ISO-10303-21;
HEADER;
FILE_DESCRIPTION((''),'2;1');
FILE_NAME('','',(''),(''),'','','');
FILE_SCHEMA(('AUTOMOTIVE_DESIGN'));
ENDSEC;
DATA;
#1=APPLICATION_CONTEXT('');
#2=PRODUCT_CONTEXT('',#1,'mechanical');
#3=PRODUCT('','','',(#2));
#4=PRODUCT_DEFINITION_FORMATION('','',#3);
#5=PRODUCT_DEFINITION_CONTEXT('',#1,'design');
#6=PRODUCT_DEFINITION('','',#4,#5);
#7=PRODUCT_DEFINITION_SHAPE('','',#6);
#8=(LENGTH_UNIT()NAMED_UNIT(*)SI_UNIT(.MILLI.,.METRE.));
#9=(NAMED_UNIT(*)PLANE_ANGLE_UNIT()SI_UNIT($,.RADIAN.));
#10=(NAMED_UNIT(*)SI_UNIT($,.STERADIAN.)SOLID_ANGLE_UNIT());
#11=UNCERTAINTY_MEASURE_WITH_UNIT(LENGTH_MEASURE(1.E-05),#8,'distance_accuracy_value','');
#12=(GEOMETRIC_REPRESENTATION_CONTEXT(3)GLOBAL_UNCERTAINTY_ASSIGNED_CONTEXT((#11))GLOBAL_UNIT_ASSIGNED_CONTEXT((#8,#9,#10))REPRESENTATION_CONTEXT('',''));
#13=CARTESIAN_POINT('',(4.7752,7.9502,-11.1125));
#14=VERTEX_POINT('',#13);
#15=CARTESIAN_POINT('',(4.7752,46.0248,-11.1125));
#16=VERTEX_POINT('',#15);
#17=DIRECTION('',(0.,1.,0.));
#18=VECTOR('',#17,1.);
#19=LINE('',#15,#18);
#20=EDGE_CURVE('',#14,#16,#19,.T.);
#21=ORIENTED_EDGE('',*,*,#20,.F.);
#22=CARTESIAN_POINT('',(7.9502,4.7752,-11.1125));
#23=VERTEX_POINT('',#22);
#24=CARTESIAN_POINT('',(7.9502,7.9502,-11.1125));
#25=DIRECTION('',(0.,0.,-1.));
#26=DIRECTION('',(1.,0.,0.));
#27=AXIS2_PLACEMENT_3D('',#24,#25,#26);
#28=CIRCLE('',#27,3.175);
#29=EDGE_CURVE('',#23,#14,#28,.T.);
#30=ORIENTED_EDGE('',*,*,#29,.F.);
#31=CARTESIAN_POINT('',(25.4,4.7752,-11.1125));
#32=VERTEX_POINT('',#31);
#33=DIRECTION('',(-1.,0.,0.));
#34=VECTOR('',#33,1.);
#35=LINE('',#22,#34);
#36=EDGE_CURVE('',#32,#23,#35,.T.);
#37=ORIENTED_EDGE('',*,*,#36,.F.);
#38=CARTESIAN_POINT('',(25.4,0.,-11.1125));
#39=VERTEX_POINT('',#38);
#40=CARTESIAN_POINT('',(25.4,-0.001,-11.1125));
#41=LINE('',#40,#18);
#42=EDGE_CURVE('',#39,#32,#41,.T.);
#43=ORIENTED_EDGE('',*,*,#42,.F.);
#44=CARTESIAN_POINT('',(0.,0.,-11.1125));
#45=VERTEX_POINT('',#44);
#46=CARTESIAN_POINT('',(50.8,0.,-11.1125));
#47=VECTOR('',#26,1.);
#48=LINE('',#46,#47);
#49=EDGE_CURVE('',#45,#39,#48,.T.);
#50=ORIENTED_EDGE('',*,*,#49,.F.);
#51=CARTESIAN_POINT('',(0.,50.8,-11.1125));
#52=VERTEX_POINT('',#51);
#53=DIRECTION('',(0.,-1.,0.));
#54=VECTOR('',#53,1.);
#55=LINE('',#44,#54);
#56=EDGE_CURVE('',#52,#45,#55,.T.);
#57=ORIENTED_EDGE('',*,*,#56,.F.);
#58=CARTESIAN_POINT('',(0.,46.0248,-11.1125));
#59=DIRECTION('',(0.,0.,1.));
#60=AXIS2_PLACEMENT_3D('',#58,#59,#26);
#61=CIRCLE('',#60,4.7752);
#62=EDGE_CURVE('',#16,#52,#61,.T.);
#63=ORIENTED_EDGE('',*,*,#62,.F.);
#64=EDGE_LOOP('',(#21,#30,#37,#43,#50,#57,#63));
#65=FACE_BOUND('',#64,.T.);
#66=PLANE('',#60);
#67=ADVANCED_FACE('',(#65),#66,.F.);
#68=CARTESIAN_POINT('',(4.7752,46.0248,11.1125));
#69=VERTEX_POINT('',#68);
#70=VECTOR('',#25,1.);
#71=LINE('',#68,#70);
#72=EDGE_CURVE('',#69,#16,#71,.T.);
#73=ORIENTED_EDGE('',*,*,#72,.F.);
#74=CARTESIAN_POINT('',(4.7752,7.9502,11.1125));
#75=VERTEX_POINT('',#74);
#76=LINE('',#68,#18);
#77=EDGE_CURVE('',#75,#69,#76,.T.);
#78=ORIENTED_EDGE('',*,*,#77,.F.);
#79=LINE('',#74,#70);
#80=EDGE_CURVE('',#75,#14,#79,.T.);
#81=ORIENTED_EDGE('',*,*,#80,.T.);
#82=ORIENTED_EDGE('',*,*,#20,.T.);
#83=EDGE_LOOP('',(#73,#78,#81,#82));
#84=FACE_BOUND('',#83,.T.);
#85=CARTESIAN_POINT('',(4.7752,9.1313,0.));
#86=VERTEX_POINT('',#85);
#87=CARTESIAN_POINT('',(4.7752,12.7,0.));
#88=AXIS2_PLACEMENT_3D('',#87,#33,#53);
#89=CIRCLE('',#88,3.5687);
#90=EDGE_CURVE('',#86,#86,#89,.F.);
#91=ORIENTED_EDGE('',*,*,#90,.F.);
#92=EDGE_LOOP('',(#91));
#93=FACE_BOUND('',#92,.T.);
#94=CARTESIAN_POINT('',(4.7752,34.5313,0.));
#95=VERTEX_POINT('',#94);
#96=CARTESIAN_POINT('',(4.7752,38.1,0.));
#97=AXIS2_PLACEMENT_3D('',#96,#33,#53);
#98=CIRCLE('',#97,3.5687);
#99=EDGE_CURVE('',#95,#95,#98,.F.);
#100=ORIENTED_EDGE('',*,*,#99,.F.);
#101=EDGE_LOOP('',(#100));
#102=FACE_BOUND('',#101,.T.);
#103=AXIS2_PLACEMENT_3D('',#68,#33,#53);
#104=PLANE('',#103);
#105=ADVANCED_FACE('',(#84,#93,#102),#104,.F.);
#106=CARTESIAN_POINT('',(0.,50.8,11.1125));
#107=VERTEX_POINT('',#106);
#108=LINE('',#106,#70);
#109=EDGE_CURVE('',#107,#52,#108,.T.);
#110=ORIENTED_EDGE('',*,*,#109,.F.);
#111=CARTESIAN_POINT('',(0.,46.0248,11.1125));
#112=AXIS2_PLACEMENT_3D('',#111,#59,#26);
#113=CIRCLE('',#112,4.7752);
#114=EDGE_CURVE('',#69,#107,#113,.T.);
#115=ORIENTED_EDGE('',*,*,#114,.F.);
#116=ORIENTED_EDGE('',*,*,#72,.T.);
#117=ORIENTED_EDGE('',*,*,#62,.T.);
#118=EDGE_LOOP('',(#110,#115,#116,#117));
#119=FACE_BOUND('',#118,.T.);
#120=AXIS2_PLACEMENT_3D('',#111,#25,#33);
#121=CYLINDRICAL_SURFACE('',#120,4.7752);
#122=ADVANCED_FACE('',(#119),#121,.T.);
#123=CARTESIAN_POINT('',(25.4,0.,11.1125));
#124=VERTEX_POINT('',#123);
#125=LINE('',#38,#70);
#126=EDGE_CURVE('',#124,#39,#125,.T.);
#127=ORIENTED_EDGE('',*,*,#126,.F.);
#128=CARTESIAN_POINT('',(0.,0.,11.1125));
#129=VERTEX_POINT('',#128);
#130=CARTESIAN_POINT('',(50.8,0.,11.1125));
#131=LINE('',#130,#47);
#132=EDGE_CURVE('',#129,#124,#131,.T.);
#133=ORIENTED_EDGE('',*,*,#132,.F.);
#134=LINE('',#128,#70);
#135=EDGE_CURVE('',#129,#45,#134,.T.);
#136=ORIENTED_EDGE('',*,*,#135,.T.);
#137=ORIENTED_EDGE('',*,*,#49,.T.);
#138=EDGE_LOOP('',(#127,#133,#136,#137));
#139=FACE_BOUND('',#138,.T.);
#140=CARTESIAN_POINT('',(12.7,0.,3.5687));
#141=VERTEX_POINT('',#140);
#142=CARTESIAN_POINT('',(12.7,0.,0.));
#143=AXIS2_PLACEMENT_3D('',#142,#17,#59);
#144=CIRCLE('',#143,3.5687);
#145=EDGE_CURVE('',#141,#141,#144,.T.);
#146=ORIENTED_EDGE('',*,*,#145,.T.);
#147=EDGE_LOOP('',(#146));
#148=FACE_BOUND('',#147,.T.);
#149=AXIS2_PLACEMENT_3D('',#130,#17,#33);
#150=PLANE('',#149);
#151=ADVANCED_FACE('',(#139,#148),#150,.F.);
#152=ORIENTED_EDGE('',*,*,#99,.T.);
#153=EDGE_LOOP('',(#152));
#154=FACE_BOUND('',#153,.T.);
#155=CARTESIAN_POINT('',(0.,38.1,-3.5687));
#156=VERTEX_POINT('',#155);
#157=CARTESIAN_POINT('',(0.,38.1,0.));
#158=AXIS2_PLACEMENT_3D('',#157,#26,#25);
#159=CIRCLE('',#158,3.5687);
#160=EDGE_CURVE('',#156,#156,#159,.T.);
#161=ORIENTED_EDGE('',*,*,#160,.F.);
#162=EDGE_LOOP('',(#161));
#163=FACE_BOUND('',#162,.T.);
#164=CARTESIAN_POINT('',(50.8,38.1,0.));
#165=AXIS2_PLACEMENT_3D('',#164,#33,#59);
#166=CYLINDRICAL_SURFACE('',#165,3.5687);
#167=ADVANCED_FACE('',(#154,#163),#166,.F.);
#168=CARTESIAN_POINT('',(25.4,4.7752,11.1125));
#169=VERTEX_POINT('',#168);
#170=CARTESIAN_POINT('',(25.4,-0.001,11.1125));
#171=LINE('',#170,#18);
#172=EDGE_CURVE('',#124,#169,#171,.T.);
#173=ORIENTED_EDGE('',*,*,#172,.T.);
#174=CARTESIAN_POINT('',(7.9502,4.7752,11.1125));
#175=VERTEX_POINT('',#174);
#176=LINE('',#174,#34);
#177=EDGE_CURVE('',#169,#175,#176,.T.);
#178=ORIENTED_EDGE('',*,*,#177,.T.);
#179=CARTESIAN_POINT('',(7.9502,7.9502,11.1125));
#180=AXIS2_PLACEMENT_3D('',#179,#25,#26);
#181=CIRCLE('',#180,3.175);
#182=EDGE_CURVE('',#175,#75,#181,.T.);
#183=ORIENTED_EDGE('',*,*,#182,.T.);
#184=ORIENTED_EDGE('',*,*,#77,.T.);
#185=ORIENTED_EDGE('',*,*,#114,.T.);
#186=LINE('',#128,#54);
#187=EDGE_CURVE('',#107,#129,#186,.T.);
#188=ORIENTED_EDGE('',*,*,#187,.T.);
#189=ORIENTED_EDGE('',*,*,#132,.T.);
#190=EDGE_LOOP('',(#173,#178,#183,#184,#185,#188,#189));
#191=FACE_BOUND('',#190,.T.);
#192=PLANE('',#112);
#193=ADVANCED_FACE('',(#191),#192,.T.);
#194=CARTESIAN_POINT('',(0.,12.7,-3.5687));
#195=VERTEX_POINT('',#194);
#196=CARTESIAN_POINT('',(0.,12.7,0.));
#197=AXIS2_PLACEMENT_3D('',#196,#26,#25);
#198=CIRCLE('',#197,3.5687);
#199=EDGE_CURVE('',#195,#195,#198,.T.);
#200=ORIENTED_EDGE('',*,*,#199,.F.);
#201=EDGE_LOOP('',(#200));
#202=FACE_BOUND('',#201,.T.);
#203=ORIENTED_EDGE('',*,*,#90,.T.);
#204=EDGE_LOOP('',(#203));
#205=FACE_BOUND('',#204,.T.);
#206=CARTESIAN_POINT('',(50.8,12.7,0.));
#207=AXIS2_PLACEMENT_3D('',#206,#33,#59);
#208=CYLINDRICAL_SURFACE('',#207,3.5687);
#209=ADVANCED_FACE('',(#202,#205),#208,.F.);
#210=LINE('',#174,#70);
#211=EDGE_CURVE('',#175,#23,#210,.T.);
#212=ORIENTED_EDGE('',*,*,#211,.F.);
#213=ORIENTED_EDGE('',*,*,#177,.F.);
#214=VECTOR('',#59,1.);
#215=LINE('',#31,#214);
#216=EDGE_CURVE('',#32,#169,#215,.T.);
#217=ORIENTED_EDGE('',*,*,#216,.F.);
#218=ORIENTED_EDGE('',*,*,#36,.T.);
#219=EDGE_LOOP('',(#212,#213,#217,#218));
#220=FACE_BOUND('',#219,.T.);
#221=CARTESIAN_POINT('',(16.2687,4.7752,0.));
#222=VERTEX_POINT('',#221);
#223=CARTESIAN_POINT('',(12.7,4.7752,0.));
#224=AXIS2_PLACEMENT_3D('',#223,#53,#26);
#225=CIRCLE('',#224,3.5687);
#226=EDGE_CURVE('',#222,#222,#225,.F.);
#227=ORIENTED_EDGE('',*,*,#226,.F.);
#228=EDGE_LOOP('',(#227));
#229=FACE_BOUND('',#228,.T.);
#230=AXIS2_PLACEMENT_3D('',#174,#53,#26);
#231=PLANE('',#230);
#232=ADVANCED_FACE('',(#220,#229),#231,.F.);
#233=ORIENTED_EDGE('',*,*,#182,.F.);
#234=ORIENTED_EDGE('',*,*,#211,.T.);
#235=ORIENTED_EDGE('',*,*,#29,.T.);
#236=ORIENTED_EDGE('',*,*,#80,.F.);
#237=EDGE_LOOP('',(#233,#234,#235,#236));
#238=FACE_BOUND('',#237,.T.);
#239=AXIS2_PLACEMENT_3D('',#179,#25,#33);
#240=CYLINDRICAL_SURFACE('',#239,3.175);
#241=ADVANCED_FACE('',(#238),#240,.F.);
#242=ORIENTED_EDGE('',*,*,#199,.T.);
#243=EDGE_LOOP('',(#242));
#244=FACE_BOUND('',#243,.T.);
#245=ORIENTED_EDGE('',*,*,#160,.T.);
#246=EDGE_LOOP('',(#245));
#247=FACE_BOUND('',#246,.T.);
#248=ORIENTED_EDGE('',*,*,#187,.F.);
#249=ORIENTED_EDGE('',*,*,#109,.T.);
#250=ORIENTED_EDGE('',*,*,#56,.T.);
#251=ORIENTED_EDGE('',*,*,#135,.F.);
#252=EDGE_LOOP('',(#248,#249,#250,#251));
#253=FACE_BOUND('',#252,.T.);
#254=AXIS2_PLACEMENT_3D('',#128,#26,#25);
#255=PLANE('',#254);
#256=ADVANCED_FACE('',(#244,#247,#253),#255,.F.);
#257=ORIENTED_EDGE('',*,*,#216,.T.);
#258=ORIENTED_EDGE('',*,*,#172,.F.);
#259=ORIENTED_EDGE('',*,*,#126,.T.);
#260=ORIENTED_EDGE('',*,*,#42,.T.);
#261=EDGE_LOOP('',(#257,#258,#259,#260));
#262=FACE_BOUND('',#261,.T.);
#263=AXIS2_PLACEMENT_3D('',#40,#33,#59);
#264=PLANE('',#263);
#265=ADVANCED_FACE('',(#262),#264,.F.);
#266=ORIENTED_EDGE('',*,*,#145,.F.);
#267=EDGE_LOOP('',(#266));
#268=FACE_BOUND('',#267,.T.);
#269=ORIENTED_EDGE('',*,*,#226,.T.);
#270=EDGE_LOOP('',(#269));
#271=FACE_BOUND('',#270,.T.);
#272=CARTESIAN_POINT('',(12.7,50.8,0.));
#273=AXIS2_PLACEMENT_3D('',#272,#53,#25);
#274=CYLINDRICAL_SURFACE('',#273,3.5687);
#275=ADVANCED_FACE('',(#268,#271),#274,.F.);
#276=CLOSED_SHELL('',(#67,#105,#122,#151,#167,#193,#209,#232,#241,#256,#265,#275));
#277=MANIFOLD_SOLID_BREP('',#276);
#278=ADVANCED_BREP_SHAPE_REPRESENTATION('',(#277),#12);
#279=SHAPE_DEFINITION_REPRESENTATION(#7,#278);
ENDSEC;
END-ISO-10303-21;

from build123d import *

# Parameters (mm, degrees)
BOSS_EXTRUDE1_DEPTH = 11.1125
SKETCH2_R           = 3.5687
CUT_EXTRUDE1_DEPTH  = 51.8
SKETCH3_R           = 3.5687
CUT_EXTRUDE2_DEPTH  = 51.8
CUT_EXTRUDE3_REACH  = 6.775
SKETCH4_W           = 25.4
SKETCH4_H           = 22.225


with BuildPart() as part:
    # Sketch1 → Boss-Extrude1 (new body, symmetric)
    with BuildSketch(Plane.XY):
        with BuildLine():
            Line((0, 0), (0, 50.8))
            ThreePointArc((0, 50.8), (3.376576302, 49.401376302), (4.7752, 46.0248))
            Line((4.7752, 46.0248), (4.7752, 7.9502))
            ThreePointArc((4.7752, 7.9502), (5.70513597, 5.70513597), (7.9502, 4.7752))
            Line((7.9502, 4.7752), (46.0248, 4.7752))
            ThreePointArc((46.0248, 4.7752), (49.401376302, 3.376576302), (50.8, 0))
            Line((50.8, 0), (0, 0))
        make_face()
    extrude(amount=BOSS_EXTRUDE1_DEPTH, both=True)

    # Sketch2 → Cut-Extrude1 (cut, through all)
    with BuildSketch(Plane(origin=(0, 0, 0), x_dir=(1, 0, 0), z_dir=(0, 1, 0))):
        with Locations((12.7, 0)):
            Circle(SKETCH2_R)
        with Locations((38.1, 0)):
            Circle(SKETCH2_R)
    extrude(amount=CUT_EXTRUDE1_DEPTH, mode=Mode.SUBTRACT)

    # Sketch3 → Cut-Extrude2 (cut, through all)
    with BuildSketch(Plane(origin=(0, 0, 0), x_dir=(0, 0, -1), z_dir=(1, 0, 0))):
        with Locations((0, 12.7)):
            Circle(SKETCH3_R)
        with Locations((0, 38.1)):
            Circle(SKETCH3_R)
    extrude(amount=CUT_EXTRUDE2_DEPTH, mode=Mode.SUBTRACT)

    # Sketch4 → Cut-Extrude3 (cut, up to next)
    with BuildSketch(Plane(origin=(0, 4.7752, 0), x_dir=(1, 0, 0), z_dir=(0, 1, 0)), mode=Mode.PRIVATE) as cut_extrude3_sk1:
        with Locations((38.1, 0)):
            Rectangle(SKETCH4_W, SKETCH4_H)
    cut_extrude3_tool1 = extrude(cut_extrude3_sk1.sketch, amount=-CUT_EXTRUDE3_REACH, mode=Mode.PRIVATE) & part.part
    add(cut_extrude3_tool1.solids().sort_by_distance((38.1, 4.7752, 0))[0], mode=Mode.SUBTRACT)


solid = part.part
